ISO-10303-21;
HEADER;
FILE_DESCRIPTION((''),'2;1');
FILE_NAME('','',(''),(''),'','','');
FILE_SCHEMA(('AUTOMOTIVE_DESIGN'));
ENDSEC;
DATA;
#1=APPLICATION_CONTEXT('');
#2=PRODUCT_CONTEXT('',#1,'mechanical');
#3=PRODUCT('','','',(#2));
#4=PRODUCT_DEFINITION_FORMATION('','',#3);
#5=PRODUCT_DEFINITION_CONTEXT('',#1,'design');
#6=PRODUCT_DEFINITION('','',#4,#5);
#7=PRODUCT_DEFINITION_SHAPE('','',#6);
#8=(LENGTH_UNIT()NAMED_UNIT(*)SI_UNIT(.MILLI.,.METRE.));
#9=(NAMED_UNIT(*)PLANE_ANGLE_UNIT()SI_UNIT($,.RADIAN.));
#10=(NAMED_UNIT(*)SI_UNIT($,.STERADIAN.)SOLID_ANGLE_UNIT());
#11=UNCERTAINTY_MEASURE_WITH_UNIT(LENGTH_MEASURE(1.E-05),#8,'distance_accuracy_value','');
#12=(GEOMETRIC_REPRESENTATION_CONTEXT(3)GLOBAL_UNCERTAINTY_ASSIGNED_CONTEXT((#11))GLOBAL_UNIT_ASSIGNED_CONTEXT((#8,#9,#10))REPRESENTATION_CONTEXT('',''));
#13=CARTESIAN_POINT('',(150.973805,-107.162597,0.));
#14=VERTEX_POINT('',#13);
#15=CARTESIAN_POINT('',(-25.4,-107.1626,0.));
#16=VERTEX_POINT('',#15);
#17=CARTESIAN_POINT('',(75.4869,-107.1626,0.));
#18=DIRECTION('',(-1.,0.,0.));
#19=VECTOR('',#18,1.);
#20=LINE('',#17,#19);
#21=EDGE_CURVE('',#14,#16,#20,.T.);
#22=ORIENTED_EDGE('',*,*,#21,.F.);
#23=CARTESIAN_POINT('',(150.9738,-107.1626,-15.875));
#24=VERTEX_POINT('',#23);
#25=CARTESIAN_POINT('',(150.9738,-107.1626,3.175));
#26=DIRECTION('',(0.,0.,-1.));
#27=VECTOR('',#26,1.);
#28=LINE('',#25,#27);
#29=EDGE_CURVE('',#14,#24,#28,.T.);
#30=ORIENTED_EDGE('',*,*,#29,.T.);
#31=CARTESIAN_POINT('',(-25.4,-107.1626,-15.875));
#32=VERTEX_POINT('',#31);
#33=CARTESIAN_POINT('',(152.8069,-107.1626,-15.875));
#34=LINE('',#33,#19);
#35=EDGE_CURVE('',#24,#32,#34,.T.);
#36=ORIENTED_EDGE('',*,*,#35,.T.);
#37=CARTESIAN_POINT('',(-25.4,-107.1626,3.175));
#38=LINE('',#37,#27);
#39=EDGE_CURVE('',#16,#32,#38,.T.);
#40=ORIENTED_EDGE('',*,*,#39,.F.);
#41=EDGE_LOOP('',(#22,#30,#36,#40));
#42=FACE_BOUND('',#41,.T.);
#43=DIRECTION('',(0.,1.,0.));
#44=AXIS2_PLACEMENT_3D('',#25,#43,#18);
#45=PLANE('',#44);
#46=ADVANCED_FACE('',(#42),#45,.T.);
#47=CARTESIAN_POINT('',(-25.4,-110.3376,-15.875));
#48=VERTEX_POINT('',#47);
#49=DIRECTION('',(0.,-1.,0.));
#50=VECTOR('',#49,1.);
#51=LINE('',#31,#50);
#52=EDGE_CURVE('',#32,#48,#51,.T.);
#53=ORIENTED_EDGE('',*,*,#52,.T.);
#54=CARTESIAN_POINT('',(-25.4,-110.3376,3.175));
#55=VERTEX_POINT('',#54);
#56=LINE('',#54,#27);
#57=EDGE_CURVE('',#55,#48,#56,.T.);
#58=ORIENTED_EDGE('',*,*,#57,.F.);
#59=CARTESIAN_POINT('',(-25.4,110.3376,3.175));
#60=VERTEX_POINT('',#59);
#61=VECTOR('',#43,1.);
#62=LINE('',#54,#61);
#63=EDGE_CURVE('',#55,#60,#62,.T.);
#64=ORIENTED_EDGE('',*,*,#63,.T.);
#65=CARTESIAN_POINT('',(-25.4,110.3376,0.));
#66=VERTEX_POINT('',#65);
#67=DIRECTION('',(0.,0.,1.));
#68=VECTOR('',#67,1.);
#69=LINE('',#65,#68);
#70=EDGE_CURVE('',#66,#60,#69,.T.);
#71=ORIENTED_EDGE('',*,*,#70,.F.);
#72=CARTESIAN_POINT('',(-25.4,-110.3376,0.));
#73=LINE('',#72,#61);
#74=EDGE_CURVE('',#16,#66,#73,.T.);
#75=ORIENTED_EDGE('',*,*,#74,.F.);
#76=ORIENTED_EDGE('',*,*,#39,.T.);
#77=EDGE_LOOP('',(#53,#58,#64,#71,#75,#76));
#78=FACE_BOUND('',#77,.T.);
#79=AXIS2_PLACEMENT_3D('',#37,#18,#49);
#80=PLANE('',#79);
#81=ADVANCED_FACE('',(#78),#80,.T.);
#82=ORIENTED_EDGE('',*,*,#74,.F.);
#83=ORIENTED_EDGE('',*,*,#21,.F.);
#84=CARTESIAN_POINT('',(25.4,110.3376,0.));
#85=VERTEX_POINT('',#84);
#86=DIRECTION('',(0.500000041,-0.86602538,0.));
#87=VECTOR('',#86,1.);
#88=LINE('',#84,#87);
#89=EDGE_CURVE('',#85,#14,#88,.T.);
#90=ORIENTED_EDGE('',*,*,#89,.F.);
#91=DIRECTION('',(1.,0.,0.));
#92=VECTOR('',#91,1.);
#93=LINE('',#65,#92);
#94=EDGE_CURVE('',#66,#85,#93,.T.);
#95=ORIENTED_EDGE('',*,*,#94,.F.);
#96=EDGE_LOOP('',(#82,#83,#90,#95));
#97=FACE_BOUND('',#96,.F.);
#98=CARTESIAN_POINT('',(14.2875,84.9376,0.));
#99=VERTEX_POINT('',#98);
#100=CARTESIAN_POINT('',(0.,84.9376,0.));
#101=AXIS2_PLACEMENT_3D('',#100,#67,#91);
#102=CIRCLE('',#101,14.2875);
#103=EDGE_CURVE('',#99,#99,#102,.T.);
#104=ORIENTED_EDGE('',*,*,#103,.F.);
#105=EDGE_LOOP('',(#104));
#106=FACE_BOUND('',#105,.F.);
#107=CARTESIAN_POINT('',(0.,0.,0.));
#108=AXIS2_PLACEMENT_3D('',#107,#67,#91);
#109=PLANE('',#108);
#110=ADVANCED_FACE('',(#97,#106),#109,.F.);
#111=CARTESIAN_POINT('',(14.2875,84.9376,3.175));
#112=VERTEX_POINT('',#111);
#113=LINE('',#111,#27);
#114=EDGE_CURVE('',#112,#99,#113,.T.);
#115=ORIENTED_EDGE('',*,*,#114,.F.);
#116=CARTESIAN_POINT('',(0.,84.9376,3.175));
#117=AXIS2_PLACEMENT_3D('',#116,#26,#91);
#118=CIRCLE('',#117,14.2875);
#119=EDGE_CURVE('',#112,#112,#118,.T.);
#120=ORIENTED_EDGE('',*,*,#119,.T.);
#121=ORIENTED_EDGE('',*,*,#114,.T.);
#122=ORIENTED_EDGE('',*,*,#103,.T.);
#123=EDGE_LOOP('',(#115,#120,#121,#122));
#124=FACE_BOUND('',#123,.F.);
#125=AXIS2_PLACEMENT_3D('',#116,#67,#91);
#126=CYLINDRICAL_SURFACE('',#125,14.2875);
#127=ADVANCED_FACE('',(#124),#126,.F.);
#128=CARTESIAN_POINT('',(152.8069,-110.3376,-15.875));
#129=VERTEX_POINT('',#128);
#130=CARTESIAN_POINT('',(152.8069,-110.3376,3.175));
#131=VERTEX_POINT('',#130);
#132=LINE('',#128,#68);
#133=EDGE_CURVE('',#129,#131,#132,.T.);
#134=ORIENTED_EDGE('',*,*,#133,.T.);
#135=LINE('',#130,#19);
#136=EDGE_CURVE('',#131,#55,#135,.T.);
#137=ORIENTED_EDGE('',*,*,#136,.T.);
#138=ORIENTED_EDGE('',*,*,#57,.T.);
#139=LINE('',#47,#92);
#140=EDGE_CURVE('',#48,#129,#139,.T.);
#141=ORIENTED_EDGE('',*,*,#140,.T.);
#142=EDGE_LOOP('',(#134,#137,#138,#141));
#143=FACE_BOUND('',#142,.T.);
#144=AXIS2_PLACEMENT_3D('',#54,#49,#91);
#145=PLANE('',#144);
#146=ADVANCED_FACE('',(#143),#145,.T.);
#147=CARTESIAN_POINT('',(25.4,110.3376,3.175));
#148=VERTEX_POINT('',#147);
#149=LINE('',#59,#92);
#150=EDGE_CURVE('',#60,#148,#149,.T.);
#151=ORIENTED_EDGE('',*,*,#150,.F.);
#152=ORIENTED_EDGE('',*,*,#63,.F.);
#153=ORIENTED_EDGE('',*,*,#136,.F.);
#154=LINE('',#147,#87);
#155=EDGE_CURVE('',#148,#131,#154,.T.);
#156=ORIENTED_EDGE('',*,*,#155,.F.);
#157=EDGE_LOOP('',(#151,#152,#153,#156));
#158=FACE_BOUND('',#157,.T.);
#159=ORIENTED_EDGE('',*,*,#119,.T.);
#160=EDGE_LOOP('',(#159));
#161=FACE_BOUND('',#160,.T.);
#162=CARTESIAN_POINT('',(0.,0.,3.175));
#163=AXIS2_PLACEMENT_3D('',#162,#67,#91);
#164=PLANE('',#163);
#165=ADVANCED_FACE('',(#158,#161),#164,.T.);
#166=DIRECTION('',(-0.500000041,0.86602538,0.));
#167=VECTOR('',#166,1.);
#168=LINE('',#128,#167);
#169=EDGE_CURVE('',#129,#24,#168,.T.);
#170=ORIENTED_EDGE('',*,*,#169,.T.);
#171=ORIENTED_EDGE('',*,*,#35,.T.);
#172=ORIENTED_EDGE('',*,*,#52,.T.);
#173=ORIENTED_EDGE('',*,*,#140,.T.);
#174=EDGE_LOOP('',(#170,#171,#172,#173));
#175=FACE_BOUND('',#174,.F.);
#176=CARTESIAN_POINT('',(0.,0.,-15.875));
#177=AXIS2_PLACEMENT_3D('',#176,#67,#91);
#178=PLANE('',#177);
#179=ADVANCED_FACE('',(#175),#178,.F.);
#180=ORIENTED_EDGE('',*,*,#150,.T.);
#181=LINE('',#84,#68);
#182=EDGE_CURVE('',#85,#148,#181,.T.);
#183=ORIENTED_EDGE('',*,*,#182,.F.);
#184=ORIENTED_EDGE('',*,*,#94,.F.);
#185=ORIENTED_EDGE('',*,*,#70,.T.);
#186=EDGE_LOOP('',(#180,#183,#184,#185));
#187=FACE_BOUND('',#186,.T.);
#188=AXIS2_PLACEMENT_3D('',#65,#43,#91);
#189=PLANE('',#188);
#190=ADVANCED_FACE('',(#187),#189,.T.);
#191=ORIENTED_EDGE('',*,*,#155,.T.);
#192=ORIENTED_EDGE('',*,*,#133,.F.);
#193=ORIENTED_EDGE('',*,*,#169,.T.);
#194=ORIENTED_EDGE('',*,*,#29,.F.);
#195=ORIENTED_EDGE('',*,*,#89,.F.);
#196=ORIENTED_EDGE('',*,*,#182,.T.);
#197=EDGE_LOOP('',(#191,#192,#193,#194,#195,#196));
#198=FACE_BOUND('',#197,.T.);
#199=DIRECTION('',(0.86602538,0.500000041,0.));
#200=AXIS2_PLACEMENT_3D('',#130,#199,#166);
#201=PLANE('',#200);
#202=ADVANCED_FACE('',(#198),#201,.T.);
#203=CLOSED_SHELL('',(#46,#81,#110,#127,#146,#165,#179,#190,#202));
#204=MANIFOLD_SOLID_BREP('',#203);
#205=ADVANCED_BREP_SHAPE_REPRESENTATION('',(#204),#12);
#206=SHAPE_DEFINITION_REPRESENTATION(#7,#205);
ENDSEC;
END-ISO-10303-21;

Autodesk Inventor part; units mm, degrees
ref_plane "YZ Plane" through (0, 0, 0) normal (1, 0, 0) x (0, 1, 0)
ref_plane "XZ Plane" through (0, 0, 0) normal (0, 1, 0) x (-1, 0, 0)
ref_plane "XY Plane" through (0, 0, 0) normal (0, 0, 1) x (1, 0, 0)
sketch "Sketch1" plane through (0, 0, 0) normal (0, 0, 1) x (1, 0, 0)
  line L0 (25.4, -110.3376) -> (-25.4, -110.3376)
  line L1 (-25.4, -110.3376) -> (-25.4, 110.3376)
  line L2 (-25.4, 110.3376) -> (25.4, 110.3376)
  line L3 (25.4, 110.3376) -> (25.4, -110.3376)
  line L4 (25.4, -110.3376) -> (-25.4, 110.3376) construction
  line L5 (-25.4, -110.3376) -> (25.4, 110.3376) construction
  line L6 (25.4, 110.3376) -> (152.8069, -110.3376)
  line L7 (25.4, 110.3376) -> (280.2138, 110.3376) construction
  line L8 (152.8069, -110.3376) -> (25.4, -110.3376)
  point P0 (0, 0)
  dimension "d0" = 50.8
  dimension "d1" = 220.6752
  dimension "d2" = 60
extrude "Extrusion1" add sketch "Sketch1" along normal blind 3.175
sketch "Sketch2" plane through (0, 0, 3.175) normal (0, 0, 1) x (1, 0, 0)
  line L0 (152.8069, -110.3376) -> (25.4, 110.3376) projected
  line L1 (-25.4, -110.3376) -> (152.8069, -110.3376)
  line L2 (152.8069, -107.1626) -> (-25.4, -107.1626)
  line L3 (-25.4, -107.1626) -> (-25.4, -110.3376)
  line L4 (150.9738, -107.1626) -> (152.8069, -110.3376)
  point P0 (0, 0)
  dimension "d5" = 3.175
extrude "Extrusion2" add sketch "Sketch2" against normal blind 19.05
sketch "Sketch3" plane through (0, 0, 3.175) normal (0, 0, 1) x (1, 0, 0)
  line L0 (-25.4, 110.3376) -> (0, 110.3376)
  line L1 (0, 110.3376) -> (0, 84.9376)
  line L2 (0, 84.9376) -> (-25.4, 84.9376)
  line L3 (-25.4, 84.9376) -> (-25.4, 110.3376)
  circle A0 centre (0, 84.9376) radius 14.2875
  point P0 (0, 0)
  dimension "d8" = 25.4
  dimension "d9" = 25.4
  dimension "d10" = 28.575
extrude "Extrusion3" cut sketch "Sketch3" against normal blind 25.4 contours A0 L2 L1 | L1 L2 A0
properties part number "RPlate"
